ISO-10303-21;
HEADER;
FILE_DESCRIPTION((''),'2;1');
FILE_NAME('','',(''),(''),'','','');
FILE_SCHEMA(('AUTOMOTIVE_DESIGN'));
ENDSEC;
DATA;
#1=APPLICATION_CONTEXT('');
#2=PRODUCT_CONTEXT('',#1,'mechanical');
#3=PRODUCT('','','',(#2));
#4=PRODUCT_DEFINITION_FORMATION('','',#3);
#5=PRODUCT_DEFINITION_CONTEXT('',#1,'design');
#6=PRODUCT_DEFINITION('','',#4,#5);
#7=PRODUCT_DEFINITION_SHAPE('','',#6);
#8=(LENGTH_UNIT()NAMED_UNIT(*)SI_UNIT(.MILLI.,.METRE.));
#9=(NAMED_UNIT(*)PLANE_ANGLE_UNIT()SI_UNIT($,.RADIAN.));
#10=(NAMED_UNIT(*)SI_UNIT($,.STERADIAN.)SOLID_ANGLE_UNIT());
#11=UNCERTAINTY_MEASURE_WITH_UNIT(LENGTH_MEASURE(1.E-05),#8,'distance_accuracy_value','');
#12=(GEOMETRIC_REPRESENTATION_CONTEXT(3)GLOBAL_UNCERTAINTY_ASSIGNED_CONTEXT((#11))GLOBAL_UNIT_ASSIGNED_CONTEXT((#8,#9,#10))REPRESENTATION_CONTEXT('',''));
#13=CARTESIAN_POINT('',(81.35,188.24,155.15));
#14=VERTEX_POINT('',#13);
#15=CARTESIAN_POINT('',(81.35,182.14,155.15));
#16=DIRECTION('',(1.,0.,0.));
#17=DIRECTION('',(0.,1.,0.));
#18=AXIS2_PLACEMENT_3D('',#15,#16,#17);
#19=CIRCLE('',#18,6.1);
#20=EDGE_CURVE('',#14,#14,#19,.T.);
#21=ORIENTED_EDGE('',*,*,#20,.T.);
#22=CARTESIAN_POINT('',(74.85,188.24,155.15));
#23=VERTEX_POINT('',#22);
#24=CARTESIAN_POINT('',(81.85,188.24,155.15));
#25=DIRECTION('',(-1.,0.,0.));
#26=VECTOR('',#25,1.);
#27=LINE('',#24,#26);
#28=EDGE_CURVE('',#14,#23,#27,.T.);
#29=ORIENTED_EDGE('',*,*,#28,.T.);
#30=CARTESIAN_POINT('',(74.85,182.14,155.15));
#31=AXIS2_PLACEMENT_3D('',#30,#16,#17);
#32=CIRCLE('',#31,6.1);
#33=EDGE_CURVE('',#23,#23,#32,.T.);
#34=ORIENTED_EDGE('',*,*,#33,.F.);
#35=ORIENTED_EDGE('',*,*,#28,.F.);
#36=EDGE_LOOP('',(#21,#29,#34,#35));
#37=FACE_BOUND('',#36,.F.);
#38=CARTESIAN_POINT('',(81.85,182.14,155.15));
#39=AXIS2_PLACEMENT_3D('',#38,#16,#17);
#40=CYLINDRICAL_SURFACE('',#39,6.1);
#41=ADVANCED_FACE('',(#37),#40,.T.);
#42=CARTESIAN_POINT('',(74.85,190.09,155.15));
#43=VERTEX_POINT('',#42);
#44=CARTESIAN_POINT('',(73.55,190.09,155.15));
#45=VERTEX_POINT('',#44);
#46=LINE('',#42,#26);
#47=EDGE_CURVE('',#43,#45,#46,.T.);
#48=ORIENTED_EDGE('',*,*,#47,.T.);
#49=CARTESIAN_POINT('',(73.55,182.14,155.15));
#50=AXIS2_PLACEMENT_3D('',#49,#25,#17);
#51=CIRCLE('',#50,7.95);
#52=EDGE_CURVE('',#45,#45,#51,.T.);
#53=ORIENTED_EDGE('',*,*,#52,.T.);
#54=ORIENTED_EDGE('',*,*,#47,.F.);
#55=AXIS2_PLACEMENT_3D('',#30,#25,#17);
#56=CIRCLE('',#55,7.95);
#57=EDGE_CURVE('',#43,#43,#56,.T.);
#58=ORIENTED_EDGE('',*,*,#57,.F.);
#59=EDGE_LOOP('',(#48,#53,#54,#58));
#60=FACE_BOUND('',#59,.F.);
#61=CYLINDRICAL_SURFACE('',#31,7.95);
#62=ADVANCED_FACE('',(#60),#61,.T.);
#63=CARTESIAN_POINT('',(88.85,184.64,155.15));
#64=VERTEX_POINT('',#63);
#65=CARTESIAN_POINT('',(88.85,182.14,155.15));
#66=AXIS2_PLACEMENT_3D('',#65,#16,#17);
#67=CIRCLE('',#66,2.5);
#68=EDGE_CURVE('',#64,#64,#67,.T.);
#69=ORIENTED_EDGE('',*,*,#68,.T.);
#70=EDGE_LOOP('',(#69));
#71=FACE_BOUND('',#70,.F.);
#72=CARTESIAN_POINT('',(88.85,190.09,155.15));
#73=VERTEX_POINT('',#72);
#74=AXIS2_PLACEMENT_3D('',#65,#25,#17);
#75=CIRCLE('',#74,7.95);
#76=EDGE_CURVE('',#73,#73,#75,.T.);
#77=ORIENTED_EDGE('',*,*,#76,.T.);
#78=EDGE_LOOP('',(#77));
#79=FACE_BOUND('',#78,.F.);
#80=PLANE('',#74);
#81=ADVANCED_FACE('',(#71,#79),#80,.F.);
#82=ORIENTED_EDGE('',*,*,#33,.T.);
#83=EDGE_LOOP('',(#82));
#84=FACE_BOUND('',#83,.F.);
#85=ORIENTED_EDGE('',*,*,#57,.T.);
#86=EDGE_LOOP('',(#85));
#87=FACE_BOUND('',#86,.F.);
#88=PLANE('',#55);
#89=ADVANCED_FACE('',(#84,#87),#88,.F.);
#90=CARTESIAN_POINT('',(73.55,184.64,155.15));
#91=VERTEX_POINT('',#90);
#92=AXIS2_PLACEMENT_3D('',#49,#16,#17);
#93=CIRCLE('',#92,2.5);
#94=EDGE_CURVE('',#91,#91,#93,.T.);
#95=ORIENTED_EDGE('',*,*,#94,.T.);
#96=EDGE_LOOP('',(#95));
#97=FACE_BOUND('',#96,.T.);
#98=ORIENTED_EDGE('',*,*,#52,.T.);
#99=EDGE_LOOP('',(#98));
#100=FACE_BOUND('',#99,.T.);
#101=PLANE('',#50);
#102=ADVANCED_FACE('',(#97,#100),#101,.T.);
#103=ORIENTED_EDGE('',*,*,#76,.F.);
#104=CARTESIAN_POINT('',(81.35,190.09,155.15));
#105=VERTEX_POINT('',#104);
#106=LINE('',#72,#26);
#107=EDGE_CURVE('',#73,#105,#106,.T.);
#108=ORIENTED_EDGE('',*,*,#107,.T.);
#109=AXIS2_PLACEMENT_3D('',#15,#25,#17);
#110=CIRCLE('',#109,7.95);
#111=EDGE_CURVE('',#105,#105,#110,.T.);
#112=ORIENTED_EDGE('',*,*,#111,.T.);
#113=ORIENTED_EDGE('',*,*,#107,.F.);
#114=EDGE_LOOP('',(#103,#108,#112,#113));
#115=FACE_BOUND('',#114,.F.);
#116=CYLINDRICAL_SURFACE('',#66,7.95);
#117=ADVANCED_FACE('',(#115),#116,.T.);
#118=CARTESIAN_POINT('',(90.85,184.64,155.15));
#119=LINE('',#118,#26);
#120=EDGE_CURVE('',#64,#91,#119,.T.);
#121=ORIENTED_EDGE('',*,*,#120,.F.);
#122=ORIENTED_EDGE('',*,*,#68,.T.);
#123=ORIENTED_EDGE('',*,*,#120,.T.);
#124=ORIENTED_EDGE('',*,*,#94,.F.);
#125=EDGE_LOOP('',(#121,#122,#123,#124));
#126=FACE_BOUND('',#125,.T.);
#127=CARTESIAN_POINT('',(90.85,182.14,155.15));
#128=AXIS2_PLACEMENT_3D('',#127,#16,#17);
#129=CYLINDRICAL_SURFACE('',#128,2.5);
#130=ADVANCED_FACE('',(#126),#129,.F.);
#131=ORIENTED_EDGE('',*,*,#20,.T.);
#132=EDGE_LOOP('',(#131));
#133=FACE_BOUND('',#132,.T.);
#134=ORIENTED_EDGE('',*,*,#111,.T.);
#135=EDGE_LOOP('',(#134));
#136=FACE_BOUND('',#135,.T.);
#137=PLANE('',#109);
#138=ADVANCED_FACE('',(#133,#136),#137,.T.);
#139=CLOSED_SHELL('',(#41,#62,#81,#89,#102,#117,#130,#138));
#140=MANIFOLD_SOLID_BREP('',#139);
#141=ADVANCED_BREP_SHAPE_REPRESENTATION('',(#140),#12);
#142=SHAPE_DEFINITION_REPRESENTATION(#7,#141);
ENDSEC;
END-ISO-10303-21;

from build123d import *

# Parameters (mm, degrees)
CYLINDER271_R          = 2.5
CYLINDER271_DEPTH      = 19.2
CYLINDER272_R          = 6.1
CYLINDER272_DEPTH      = 7.2
CYLINDER273_R          = 7.95
CYLINDER273_DEPTH      = 1.3
CYLINDER270_R          = 7.95
CYLINDER270_DEPTH      = 7.5
CUT197_ROLL_ANGLE      = -90
CUT197_PLACEMENT_ANGLE = 90


with BuildPart() as cylinder271:
    # Cylinder271 → Cylinder271 (new body)
    with BuildSketch(Plane.XY.offset(-2)):
        Circle(CYLINDER271_R)
    extrude(amount=CYLINDER271_DEPTH)


with BuildPart() as cylinder272:
    # Cylinder272 → Cylinder272 (new body)
    with BuildSketch(Plane.XY.offset(7)):
        Circle(CYLINDER272_R)
    extrude(amount=CYLINDER272_DEPTH)


with BuildPart() as cylinder273:
    # Cylinder273 → Cylinder273 (new body)
    with BuildSketch(Plane.XY.offset(14)):
        Circle(CYLINDER273_R)
    extrude(amount=CYLINDER273_DEPTH)


with BuildPart() as cut197:
    # Cylinder270 → Cylinder270 (new body)
    with BuildSketch(Plane.XY):
        Circle(CYLINDER270_R)
    extrude(amount=CYLINDER270_DEPTH)

    # Fusion105: union Cylinder272, Cylinder273
    add(cylinder272.part)
    add(cylinder273.part)

    # Cut197: cut Cylinder271
    add(cylinder271.part, mode=Mode.SUBTRACT)


with BuildPart() as cut197_1:
    # Cut197 roll: moved
    add(cut197.part.rotate(Axis((0, 0, 0), (1, 0, 0)), CUT197_ROLL_ANGLE))


with BuildPart() as cut197_2:
    # Cut197 placement: moved
    add(cut197_1.part.moved(Location((88.85, 182.14, 155.15))).rotate(Axis((88.85, 182.14, 155.15), (0, 0, 1)), CUT197_PLACEMENT_ANGLE))


solid = cut197_2.part
